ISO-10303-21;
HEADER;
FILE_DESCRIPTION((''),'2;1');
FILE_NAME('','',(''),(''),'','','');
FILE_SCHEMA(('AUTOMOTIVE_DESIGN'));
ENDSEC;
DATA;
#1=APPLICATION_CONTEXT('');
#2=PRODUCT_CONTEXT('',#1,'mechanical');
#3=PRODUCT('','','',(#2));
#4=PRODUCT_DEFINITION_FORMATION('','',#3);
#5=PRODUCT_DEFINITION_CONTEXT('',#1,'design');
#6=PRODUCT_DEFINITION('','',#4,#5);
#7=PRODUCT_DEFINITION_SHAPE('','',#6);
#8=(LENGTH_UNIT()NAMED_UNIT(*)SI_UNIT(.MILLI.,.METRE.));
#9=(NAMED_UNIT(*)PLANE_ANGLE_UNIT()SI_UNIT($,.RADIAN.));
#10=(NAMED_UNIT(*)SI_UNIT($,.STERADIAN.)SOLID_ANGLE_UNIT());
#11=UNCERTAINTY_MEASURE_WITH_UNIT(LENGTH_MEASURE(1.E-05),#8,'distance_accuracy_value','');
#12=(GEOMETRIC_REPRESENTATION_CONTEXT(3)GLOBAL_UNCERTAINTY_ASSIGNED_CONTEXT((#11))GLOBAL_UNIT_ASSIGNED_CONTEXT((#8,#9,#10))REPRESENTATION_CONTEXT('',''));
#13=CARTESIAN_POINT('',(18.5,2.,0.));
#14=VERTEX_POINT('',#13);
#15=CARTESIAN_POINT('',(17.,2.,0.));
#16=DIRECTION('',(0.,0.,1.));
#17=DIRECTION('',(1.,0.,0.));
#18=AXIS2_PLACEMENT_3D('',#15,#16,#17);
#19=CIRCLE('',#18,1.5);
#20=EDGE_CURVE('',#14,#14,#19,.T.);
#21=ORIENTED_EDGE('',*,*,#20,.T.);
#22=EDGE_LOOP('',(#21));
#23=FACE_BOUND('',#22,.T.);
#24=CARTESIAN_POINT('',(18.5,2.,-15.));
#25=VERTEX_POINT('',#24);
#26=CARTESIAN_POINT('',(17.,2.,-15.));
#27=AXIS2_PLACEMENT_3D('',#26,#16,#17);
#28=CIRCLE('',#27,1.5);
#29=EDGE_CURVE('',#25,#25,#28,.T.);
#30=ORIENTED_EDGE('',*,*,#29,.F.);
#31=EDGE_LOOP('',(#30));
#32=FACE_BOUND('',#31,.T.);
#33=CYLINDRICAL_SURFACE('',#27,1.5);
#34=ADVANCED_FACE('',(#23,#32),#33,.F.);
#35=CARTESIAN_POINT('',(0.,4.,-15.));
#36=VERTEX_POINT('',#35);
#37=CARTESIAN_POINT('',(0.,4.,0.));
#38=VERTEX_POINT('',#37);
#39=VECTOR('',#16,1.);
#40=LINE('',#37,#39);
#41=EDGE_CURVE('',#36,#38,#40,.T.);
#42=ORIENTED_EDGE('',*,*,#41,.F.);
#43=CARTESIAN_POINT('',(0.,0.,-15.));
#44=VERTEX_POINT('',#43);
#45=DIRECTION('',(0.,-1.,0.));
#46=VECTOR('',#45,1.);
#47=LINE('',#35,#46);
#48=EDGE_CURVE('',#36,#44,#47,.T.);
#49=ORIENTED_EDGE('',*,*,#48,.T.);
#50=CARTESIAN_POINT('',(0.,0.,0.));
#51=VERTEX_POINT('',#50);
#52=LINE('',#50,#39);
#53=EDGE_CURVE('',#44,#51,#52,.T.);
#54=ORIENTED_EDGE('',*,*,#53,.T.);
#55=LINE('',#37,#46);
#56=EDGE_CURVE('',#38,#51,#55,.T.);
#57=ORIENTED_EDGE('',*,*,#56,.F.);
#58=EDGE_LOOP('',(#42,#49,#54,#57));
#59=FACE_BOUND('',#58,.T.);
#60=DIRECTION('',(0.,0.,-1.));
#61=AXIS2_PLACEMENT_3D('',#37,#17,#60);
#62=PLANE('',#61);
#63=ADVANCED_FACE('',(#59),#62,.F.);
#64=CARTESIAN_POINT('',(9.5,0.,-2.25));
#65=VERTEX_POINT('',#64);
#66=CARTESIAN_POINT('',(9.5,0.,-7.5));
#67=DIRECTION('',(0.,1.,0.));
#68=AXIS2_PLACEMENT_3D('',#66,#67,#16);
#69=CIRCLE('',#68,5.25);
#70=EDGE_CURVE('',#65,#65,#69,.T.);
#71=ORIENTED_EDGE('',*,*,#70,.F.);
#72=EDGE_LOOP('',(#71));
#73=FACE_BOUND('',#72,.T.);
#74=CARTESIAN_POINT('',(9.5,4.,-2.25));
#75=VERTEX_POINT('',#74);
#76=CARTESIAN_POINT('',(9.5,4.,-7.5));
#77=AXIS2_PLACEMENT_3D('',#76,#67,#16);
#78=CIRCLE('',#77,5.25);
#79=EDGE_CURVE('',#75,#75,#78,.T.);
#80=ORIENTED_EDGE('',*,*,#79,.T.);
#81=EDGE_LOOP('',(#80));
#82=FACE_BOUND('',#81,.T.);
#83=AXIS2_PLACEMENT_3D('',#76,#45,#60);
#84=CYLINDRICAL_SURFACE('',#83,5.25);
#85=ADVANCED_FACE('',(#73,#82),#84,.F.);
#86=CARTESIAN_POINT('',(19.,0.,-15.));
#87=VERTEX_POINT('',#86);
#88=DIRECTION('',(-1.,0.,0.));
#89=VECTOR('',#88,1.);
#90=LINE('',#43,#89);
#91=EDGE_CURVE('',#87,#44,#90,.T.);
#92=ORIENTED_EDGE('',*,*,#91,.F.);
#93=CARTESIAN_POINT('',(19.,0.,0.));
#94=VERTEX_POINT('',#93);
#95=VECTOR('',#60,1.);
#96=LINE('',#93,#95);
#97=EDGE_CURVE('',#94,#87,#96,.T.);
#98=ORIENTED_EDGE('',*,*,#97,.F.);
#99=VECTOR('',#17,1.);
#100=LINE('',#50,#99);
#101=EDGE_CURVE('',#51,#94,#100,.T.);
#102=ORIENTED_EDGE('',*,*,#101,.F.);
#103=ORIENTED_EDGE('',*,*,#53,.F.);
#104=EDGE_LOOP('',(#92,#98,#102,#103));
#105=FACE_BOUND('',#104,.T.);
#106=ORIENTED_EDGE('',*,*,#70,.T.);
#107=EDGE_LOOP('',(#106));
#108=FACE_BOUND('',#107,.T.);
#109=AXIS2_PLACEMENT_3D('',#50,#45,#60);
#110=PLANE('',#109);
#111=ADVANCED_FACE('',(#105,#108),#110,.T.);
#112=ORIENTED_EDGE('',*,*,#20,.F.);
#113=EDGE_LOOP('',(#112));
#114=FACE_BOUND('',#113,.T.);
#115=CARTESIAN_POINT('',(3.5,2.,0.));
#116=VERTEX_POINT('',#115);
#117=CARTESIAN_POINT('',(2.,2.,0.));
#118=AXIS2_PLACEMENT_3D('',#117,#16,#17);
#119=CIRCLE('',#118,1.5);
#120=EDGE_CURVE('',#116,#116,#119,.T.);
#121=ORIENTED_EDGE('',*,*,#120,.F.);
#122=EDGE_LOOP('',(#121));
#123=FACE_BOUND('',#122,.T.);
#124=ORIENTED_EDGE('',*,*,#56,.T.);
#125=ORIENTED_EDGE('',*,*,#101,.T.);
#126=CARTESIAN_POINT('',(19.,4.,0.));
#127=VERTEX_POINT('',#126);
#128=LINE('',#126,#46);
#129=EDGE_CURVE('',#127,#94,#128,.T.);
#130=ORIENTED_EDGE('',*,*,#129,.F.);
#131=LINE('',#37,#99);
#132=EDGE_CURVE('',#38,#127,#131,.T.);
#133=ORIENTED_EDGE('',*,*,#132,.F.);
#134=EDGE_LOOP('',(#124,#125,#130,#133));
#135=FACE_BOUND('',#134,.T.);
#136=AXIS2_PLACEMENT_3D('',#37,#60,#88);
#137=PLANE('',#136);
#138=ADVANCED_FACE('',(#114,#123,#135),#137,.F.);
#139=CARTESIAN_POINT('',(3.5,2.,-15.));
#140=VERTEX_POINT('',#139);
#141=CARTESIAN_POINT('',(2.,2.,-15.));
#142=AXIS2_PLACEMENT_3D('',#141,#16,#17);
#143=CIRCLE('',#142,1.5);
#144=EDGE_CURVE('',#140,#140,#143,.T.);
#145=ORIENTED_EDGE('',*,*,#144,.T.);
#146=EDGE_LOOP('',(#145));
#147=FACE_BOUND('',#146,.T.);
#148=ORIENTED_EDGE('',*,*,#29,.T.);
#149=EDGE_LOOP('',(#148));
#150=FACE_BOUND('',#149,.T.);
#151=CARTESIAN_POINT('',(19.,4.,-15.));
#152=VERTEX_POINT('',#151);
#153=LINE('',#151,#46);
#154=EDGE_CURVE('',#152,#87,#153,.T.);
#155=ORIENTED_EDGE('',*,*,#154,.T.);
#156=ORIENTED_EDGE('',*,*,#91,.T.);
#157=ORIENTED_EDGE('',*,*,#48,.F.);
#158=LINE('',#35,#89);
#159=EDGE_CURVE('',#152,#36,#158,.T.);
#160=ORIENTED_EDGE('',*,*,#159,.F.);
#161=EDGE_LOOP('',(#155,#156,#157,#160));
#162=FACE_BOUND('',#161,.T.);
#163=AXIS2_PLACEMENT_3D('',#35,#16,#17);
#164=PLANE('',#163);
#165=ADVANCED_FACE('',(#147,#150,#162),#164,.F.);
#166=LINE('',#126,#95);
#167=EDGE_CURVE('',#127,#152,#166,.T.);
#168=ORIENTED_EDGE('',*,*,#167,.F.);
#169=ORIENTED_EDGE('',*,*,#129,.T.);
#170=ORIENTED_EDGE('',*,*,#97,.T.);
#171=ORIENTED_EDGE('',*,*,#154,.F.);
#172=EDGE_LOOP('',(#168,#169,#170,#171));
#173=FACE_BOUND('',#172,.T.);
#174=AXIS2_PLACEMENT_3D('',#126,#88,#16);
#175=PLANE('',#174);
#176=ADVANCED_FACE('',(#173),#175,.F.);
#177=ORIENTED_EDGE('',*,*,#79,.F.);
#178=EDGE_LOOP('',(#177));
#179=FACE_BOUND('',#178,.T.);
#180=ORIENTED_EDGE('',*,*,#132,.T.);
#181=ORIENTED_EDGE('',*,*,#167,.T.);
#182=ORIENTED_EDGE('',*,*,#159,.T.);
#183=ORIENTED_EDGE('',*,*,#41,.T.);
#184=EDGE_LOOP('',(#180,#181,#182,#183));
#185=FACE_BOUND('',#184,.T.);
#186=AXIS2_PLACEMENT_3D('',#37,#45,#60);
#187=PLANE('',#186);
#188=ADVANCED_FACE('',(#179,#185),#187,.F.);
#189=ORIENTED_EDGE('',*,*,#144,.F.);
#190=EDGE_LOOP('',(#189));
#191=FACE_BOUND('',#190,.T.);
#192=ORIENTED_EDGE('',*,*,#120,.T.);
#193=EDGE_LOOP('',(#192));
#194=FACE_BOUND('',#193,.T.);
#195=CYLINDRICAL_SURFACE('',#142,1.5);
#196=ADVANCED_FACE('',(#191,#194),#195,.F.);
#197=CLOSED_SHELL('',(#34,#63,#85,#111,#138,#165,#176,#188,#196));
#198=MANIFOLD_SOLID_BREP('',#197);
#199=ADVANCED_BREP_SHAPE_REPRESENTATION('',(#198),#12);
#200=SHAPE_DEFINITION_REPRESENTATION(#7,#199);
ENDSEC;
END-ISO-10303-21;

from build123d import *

# Parameters (mm, degrees)
SKETCH1_W           = 19
SKETCH1_H           = 15
SKETCH1_R           = 5.25
BOSS_EXTRUDE1_DEPTH = 4
SKETCH2_R           = 1.5
CUT_EXTRUDE1_DEPTH  = 15


with BuildPart() as part:
    # Sketch1 → Boss-Extrude1 (new body)
    with BuildSketch(Plane(origin=(0, 0, 0), x_dir=(1, 0, 0), z_dir=(0, 1, 0))):
        with Locations((9.5, 7.5)):
            Rectangle(SKETCH1_W, SKETCH1_H)
        with Locations((9.5, 7.5)):
            Circle(SKETCH1_R, mode=Mode.SUBTRACT)
    extrude(amount=BOSS_EXTRUDE1_DEPTH)

    # Sketch2 → Cut-Extrude1 (cut)
    with BuildSketch(Plane.XY):
        with Locations((2, 2)):
            Circle(SKETCH2_R)
        with Locations((17, 2)):
            Circle(SKETCH2_R)
    extrude(amount=-CUT_EXTRUDE1_DEPTH, mode=Mode.SUBTRACT)


solid = part.part
